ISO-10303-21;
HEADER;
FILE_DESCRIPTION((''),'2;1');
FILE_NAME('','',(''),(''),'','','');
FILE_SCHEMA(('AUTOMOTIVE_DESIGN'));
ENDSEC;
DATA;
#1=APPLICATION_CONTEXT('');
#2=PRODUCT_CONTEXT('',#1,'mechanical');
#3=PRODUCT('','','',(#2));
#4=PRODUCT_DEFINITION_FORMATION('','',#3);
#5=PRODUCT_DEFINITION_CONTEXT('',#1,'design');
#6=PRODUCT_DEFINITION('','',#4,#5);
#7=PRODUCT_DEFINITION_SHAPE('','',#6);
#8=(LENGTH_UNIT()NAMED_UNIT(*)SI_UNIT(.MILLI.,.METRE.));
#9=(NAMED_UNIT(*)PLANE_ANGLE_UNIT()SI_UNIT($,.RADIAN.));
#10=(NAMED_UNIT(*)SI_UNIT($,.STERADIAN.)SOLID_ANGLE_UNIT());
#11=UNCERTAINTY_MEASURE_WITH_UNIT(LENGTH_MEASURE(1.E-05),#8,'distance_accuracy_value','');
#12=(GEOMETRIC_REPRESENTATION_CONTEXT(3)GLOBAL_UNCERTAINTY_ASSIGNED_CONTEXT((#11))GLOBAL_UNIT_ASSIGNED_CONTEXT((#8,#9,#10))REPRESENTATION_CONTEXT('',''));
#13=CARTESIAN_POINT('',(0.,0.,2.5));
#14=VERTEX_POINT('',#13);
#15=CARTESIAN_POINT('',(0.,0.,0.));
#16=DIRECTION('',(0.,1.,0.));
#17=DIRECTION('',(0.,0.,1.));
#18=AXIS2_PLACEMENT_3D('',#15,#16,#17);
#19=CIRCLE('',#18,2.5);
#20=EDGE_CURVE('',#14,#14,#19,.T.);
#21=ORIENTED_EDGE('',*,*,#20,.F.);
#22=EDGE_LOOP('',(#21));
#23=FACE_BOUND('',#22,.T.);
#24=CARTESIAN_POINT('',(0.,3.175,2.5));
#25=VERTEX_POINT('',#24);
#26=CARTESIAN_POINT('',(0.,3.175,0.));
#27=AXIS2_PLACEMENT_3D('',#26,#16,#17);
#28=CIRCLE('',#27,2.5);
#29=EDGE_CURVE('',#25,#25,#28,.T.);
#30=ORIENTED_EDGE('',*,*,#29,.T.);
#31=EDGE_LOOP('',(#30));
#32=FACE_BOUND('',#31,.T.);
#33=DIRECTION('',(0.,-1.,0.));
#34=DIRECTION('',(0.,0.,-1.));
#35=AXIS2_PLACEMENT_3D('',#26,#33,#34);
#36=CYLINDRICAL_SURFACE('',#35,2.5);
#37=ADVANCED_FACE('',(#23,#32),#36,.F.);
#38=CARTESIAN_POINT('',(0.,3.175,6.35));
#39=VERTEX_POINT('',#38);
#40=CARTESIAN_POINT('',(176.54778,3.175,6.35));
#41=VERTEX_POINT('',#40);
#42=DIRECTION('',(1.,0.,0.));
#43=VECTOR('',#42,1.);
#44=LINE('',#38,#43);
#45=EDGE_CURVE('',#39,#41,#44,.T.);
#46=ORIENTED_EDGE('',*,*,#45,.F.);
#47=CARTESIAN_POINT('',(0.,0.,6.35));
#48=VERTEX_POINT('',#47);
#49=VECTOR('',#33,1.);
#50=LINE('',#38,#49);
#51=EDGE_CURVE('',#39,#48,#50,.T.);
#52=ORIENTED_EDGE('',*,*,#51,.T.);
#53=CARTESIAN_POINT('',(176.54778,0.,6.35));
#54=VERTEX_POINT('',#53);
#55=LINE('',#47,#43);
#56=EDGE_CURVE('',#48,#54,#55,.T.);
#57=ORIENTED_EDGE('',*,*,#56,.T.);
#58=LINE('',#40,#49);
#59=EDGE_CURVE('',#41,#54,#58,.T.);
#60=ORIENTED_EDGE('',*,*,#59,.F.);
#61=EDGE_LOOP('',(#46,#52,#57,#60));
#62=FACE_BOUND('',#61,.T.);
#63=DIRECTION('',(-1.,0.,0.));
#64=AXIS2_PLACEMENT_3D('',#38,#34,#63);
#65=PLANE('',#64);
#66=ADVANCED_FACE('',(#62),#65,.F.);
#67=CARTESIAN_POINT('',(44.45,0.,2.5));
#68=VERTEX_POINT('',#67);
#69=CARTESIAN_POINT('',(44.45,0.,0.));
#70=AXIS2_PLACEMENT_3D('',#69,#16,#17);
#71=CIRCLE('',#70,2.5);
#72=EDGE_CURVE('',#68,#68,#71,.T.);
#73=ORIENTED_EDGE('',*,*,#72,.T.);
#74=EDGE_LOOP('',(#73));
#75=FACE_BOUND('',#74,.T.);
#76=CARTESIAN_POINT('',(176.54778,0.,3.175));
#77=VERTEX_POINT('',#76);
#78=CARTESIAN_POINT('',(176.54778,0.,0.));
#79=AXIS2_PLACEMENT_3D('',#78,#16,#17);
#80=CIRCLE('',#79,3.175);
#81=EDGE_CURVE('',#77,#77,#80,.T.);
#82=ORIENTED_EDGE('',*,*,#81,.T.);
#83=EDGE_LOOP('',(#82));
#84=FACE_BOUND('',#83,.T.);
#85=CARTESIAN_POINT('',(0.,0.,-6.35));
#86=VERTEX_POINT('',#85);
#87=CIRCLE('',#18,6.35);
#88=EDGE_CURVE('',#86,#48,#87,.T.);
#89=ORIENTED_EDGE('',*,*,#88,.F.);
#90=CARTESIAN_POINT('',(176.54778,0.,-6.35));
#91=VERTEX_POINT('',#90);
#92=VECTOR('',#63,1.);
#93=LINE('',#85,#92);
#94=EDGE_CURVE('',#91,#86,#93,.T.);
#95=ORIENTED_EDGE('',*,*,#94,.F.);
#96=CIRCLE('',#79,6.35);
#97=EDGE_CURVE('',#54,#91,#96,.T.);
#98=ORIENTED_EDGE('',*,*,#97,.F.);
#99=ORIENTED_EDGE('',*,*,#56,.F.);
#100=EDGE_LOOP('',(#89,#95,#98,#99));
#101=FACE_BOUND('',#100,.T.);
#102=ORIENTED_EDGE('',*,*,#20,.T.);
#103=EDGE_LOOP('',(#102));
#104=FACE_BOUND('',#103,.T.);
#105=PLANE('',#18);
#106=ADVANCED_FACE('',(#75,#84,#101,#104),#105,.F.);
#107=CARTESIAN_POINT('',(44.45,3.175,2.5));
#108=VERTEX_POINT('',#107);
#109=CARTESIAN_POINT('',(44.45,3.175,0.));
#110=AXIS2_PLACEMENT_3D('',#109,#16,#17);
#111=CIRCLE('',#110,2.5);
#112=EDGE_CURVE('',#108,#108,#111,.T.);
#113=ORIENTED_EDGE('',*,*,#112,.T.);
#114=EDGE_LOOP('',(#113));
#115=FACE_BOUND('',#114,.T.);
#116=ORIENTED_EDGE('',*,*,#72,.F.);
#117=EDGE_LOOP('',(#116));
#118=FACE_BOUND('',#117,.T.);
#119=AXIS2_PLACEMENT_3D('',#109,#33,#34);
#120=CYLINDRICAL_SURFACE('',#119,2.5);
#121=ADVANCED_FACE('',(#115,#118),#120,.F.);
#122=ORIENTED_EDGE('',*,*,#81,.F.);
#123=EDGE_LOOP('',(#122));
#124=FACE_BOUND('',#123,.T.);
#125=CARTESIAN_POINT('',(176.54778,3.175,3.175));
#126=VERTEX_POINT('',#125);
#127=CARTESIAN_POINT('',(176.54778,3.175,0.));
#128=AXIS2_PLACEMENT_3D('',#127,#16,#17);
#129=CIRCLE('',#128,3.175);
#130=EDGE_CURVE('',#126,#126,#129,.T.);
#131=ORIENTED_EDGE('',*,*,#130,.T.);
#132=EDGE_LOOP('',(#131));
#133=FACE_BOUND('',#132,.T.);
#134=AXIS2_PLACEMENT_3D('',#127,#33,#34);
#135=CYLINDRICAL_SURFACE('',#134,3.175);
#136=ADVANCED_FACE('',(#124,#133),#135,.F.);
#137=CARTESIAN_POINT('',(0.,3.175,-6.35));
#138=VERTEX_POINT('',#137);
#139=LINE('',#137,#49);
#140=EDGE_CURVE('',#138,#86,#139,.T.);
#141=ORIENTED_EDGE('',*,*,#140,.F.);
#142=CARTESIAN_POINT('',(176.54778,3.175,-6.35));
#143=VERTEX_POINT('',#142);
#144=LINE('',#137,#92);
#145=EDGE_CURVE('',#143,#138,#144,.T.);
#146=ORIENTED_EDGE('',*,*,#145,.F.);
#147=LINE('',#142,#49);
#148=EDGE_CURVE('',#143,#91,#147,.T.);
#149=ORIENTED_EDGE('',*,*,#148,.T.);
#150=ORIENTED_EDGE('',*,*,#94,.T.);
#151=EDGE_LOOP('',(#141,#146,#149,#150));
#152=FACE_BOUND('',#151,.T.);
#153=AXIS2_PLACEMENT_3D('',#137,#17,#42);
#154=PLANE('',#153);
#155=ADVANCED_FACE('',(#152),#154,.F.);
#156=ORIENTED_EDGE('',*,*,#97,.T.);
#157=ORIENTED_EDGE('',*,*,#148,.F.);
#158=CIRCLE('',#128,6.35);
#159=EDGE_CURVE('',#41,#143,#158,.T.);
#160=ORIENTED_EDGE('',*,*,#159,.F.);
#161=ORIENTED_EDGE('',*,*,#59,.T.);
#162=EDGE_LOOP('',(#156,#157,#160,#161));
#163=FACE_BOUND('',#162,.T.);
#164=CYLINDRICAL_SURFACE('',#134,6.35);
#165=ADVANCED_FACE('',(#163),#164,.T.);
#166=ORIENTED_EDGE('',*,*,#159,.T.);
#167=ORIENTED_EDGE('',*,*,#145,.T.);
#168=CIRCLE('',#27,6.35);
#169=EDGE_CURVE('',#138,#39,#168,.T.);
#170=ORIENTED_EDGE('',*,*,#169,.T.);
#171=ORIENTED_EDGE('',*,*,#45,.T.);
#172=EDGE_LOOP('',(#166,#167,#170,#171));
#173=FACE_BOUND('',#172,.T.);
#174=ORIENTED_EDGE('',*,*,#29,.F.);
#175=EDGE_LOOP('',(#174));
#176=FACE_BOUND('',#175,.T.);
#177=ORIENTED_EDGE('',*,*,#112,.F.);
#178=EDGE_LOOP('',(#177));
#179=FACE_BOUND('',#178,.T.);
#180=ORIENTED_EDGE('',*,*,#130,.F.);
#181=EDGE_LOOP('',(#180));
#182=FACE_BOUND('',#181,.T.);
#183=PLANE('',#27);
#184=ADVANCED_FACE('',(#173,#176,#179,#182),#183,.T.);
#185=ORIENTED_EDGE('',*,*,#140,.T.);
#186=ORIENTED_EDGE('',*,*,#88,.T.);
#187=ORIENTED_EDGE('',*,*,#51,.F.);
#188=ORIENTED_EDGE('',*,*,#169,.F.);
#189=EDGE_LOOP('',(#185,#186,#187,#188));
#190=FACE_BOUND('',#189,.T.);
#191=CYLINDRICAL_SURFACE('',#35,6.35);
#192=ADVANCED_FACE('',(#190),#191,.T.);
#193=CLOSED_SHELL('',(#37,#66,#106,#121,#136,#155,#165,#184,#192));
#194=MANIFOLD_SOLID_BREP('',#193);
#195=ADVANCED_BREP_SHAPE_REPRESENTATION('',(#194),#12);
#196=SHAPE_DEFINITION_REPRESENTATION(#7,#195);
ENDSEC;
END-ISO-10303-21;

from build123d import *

# Parameters (mm, degrees)
SKETCH1_R           = 2.5
SKETCH1_R_2         = 3.175
BOSS_EXTRUDE1_DEPTH = 3.175


with BuildPart() as part:
    # Sketch1 → Boss-Extrude1 (new body)
    with BuildSketch(Plane(origin=(0, 0, 0), x_dir=(1, 0, 0), z_dir=(0, 1, 0))):
        with BuildLine():
            Line((0, 6.35), (176.54778, 6.35))
            ThreePointArc((176.54778, 6.35), (182.89778, 0), (176.54778, -6.35))
            Line((176.54778, -6.35), (0, -6.35))
            ThreePointArc((0, -6.35), (-6.35, 0), (0, 6.35))
        make_face()
        with Locations(Location((0, 0, 0), (0, 0, 270))):
            Circle(SKETCH1_R, mode=Mode.SUBTRACT)
        with Locations(Location((44.45, 0, 0), (0, 0, 270))):
            Circle(SKETCH1_R, mode=Mode.SUBTRACT)
        with Locations(Location((176.54778, 0, 0), (0, 0, 270))):
            Circle(SKETCH1_R_2, mode=Mode.SUBTRACT)
    extrude(amount=BOSS_EXTRUDE1_DEPTH)


solid = part.part
